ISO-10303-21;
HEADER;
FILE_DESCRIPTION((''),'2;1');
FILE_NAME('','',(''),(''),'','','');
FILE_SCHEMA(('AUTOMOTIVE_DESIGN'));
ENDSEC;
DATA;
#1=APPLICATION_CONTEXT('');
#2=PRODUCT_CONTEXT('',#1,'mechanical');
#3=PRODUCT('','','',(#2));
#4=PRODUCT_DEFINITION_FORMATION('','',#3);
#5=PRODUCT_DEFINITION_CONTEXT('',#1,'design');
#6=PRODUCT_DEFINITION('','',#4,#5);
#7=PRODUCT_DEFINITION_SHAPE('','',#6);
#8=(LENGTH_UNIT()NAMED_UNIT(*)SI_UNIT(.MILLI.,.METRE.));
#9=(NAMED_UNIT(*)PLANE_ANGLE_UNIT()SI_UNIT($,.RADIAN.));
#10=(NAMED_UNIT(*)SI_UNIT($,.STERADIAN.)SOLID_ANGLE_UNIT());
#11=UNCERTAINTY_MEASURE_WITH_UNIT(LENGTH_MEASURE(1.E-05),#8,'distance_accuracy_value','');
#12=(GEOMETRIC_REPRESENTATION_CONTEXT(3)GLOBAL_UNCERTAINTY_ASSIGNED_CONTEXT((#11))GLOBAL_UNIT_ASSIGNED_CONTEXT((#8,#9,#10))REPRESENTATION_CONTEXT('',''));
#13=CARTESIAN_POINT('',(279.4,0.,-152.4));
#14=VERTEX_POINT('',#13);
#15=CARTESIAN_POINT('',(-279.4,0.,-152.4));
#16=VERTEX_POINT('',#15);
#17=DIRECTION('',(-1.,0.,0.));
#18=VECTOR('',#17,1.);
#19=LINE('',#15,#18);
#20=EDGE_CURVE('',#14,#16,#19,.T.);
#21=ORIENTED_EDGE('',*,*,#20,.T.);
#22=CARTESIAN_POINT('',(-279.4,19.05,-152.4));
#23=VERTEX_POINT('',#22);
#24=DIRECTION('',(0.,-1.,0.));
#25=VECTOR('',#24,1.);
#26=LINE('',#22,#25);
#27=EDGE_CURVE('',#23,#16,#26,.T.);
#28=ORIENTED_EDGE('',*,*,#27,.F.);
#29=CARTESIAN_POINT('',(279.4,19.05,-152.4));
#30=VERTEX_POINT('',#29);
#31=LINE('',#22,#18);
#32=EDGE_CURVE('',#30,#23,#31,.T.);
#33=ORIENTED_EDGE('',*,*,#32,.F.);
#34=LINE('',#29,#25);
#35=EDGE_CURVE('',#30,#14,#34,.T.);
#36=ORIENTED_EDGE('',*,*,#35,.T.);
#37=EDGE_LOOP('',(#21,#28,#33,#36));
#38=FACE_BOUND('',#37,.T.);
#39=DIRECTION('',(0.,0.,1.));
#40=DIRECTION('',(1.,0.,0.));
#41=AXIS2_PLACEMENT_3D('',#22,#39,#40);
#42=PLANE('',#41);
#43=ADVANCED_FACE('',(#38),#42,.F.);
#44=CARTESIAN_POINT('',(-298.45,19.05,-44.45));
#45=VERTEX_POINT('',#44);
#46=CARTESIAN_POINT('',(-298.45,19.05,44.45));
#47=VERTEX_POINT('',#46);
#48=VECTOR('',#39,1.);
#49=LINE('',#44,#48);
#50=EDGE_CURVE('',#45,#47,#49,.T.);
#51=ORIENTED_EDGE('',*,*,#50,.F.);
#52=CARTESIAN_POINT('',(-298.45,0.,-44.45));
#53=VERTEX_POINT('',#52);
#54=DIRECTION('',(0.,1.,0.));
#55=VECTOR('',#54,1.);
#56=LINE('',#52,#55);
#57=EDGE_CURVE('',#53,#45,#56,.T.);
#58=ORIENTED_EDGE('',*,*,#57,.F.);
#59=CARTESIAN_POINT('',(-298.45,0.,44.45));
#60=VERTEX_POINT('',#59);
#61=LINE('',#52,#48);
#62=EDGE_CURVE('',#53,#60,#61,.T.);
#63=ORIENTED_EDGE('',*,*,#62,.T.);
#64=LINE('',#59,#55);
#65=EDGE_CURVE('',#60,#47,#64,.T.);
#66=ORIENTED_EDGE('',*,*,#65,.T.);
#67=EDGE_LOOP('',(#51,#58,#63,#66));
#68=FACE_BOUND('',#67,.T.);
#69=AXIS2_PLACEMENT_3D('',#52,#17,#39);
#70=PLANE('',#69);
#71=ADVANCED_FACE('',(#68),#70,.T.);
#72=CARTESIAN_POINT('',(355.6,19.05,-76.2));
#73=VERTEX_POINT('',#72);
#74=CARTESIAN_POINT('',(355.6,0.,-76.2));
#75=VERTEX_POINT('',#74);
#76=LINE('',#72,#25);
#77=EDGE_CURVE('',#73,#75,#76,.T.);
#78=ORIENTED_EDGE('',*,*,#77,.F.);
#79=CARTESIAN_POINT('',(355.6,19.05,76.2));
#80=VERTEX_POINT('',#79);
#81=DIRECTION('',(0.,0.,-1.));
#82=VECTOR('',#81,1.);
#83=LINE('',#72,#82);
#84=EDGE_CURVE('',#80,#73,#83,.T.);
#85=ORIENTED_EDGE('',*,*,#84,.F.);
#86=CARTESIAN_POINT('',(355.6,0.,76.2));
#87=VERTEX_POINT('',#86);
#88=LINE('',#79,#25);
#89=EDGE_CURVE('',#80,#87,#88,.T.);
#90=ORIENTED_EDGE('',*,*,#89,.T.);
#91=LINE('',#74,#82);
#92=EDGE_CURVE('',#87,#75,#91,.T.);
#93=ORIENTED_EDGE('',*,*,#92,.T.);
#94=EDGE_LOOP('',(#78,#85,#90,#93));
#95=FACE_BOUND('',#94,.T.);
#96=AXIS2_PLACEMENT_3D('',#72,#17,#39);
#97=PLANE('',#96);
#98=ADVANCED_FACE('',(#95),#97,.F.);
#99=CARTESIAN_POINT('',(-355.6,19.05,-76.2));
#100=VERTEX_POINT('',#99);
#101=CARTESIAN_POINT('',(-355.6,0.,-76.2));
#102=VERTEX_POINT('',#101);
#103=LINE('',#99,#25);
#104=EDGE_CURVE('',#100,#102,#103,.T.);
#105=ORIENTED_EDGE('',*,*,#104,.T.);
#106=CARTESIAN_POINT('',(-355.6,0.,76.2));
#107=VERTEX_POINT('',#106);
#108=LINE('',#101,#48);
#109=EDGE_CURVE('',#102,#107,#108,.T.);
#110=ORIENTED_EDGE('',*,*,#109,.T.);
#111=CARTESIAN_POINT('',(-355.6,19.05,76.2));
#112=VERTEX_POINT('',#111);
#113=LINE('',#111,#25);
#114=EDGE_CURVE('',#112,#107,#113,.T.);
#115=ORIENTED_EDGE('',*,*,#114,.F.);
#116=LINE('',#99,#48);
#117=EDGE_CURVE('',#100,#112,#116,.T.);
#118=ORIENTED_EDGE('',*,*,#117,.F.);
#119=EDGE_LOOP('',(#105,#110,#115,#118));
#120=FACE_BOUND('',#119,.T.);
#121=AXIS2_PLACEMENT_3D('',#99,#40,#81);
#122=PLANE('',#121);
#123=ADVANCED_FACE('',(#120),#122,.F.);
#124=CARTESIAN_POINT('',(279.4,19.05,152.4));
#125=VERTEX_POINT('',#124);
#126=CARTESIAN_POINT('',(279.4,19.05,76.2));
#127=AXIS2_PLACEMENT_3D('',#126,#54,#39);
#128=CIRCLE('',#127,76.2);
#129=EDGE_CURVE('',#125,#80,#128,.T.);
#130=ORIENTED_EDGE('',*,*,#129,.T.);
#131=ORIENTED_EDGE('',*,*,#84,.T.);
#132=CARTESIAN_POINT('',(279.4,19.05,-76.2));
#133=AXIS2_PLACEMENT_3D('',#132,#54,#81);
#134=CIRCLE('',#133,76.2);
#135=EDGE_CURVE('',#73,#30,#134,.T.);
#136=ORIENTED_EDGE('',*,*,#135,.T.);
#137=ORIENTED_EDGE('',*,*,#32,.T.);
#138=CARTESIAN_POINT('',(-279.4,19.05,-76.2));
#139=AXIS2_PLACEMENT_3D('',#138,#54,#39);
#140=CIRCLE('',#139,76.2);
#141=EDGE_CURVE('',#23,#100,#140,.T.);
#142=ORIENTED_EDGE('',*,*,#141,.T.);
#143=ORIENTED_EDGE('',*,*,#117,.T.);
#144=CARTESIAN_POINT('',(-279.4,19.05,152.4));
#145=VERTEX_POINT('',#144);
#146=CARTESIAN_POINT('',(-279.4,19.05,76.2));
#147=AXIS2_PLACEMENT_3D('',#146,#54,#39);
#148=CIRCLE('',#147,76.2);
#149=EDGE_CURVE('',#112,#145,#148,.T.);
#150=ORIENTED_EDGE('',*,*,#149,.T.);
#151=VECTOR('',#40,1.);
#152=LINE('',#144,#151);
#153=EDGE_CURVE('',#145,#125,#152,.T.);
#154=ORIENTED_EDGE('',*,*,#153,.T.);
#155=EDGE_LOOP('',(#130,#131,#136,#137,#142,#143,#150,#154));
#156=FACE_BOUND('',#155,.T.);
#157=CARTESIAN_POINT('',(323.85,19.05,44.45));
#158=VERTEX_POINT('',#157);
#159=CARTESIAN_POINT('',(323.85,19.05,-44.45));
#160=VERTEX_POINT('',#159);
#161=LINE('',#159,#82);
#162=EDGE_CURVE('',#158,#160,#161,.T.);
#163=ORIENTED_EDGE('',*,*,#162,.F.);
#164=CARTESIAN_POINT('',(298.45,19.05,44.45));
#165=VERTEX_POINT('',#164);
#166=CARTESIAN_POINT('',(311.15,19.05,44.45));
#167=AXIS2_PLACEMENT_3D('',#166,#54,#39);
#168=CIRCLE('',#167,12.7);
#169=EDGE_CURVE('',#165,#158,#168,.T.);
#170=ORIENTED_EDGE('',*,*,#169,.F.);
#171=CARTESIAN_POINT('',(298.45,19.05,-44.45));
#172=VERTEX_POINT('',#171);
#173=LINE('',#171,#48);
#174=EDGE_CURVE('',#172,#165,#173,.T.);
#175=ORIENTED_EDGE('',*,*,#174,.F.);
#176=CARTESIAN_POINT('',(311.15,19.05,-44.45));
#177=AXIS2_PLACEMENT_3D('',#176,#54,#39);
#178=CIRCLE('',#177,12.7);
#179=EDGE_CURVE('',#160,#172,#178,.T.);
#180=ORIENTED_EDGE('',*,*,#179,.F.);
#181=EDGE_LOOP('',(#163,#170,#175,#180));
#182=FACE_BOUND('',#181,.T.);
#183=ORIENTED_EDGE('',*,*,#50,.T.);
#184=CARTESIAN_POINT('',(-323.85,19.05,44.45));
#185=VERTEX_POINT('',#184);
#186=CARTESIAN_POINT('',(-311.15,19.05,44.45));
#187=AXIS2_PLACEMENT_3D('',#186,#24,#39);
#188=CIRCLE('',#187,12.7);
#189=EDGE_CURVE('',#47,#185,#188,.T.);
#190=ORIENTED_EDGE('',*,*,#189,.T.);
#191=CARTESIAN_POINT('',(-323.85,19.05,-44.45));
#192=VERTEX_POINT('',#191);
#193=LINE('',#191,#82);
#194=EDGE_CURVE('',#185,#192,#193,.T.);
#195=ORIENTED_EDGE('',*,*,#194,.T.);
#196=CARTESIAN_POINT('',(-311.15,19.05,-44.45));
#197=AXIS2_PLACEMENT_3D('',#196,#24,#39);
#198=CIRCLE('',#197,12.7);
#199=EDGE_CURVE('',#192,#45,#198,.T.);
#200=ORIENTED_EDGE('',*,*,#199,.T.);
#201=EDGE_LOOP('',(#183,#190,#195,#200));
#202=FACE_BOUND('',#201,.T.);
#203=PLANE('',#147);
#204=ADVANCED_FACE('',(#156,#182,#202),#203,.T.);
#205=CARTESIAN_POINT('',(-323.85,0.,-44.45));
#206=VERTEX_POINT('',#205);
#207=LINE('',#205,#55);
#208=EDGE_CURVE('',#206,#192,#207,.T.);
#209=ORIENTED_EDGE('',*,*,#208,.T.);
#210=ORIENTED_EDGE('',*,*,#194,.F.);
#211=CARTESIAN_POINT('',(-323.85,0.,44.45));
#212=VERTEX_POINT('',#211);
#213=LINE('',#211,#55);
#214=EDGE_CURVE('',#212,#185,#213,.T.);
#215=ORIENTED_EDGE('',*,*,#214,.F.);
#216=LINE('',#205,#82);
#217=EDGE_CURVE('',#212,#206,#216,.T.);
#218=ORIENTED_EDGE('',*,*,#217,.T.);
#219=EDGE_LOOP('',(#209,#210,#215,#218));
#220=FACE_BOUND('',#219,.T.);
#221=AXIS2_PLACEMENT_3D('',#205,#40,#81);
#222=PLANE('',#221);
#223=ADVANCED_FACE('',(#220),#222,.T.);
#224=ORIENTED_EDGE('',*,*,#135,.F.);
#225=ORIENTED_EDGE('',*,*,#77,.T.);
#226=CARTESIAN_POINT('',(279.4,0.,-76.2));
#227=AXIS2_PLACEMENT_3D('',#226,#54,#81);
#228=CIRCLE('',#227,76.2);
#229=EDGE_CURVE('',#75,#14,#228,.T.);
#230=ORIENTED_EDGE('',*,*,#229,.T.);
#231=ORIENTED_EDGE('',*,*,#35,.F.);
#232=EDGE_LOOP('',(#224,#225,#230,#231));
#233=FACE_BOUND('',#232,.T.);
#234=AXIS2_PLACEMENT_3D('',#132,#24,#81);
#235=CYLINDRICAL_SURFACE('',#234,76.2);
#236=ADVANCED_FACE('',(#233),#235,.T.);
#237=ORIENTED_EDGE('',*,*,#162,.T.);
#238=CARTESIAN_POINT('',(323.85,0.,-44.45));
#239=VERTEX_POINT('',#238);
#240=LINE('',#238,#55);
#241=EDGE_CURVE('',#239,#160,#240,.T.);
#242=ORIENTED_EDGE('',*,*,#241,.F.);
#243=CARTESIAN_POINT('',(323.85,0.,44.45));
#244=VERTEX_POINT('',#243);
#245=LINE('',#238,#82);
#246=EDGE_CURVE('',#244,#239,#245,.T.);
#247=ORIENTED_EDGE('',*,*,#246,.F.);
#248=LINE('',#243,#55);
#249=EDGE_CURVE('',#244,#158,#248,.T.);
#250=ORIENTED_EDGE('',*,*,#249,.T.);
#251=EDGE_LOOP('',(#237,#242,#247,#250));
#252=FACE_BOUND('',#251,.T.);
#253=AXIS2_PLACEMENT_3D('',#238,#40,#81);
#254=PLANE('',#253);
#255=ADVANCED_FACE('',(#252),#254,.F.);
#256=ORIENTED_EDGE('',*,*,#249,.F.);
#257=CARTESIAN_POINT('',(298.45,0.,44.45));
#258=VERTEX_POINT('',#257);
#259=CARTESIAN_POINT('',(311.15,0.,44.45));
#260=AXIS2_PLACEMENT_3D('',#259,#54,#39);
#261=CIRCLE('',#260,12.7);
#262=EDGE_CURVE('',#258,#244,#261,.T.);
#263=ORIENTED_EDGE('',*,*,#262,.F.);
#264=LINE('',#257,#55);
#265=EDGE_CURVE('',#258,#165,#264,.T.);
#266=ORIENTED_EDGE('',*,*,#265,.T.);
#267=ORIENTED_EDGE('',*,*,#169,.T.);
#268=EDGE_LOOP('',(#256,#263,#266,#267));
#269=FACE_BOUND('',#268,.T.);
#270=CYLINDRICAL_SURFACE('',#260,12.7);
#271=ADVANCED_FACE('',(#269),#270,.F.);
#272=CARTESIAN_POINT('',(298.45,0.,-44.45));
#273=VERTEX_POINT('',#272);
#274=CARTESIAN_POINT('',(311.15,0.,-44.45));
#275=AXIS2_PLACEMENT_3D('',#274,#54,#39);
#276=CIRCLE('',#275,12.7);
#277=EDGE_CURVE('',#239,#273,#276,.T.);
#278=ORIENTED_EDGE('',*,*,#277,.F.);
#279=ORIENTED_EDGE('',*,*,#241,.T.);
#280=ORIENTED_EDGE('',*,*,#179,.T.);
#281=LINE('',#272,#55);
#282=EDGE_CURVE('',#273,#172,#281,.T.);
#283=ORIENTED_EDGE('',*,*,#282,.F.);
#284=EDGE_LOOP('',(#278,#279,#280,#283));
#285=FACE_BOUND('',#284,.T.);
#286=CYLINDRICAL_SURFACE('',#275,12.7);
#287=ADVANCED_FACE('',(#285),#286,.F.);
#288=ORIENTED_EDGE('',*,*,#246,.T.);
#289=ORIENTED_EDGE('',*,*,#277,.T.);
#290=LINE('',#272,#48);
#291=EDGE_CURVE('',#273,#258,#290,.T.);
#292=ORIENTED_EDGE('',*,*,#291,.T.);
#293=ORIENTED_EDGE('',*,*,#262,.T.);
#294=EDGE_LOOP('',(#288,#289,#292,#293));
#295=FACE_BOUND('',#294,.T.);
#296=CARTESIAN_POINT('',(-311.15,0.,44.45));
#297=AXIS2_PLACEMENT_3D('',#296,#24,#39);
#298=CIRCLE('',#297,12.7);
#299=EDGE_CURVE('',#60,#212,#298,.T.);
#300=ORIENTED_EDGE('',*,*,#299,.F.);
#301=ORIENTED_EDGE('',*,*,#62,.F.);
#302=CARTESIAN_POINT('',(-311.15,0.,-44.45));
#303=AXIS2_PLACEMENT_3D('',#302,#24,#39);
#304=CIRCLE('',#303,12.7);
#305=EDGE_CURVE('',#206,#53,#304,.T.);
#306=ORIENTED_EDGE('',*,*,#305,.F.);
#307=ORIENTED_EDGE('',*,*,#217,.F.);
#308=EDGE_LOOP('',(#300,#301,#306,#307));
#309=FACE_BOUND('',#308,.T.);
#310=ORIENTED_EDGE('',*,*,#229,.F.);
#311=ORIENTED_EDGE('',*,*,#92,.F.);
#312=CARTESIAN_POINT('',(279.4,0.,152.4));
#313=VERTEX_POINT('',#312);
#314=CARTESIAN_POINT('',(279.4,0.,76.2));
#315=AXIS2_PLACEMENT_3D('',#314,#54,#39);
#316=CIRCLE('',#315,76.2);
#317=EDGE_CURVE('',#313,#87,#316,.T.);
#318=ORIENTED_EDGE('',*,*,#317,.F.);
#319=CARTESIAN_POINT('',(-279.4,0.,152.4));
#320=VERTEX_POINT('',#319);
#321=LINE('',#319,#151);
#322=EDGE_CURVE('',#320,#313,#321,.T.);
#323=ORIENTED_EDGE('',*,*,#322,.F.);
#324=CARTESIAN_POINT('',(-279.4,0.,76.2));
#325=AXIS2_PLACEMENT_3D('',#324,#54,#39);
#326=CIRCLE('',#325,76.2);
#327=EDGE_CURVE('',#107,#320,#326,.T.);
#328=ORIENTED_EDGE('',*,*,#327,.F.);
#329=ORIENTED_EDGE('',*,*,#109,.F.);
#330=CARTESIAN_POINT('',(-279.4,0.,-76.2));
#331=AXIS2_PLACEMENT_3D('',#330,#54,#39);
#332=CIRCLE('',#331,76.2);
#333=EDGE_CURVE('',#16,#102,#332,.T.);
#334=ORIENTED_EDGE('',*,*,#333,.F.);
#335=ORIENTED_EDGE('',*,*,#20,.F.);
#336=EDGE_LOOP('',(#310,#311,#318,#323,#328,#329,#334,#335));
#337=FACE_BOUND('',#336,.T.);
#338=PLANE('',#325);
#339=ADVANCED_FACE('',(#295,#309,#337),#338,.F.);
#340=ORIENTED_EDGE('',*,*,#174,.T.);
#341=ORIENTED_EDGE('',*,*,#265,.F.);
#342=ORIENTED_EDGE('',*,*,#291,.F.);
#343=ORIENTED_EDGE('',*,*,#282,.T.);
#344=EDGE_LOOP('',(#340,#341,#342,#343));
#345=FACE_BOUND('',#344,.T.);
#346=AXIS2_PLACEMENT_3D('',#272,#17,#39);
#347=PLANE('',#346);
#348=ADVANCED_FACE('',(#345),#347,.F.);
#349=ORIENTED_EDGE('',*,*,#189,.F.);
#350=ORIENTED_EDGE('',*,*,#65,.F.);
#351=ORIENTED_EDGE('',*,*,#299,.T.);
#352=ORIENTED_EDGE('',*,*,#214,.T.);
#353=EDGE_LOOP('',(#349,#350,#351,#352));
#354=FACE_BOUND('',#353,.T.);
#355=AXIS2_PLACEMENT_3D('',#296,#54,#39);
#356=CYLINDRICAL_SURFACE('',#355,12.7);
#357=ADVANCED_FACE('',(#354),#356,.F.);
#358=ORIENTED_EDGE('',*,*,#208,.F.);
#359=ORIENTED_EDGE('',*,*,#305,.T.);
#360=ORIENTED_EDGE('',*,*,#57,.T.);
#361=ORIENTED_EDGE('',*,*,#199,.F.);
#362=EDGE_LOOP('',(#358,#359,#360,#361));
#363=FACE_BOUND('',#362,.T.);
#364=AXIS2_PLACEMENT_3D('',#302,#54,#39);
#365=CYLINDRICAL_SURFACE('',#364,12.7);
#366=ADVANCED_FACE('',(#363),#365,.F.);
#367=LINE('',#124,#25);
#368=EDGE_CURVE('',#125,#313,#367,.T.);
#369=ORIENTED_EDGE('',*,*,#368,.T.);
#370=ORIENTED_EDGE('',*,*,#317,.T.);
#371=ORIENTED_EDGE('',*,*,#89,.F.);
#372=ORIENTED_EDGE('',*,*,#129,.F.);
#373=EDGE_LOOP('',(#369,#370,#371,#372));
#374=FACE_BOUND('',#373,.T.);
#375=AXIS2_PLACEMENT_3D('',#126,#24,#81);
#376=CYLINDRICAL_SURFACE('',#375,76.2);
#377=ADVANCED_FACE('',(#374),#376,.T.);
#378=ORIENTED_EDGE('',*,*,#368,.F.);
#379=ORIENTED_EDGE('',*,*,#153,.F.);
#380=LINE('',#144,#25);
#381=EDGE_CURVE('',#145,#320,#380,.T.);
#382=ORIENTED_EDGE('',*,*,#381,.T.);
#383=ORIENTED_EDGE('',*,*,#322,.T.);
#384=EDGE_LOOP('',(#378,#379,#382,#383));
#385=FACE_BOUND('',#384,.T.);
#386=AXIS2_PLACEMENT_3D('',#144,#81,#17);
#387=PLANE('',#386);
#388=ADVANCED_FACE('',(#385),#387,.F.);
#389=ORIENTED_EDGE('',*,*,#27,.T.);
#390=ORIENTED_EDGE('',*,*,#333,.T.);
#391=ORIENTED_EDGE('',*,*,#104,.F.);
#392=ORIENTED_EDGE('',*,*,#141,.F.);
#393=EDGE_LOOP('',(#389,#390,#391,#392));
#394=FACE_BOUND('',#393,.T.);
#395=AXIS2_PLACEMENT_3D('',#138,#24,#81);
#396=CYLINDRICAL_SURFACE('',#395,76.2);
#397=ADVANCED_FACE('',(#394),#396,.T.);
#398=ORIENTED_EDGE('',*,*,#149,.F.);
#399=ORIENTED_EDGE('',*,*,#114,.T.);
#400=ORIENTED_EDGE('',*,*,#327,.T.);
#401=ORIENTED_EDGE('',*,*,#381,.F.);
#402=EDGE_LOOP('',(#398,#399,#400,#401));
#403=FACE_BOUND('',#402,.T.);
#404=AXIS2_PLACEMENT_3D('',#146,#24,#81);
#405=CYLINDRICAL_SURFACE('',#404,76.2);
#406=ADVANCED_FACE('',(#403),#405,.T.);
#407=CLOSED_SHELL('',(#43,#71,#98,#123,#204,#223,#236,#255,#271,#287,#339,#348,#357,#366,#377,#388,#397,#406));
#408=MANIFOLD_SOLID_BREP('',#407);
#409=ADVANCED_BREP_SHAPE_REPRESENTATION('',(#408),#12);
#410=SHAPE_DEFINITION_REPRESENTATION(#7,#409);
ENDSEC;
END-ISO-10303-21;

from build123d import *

# Parameters (mm, degrees)
BOSS_EXTRUDE1_DEPTH = 19.05
CUT_EXTRUDE2_DEPTH  = 388.35


with BuildPart() as part:
    # Sketch1 → Boss-Extrude1 (new body)
    with BuildSketch(Plane(origin=(0, 0, 0), x_dir=(1, 0, 0), z_dir=(0, 1, 0))):
        with BuildLine():
            Line((-279.4, 152.4), (279.4, 152.4))
            ThreePointArc((279.4, 152.4), (333.281536726, 130.081536726), (355.6, 76.2))
            Line((355.6, 76.2), (355.6, -76.2))
            ThreePointArc((355.6, -76.2), (333.281536726, -130.081536726), (279.4, -152.4))
            Line((279.4, -152.4), (-279.4, -152.4))
            ThreePointArc((-279.4, -152.4), (-333.281536726, -130.081536726), (-355.6, -76.2))
            Line((-355.6, -76.2), (-355.6, 76.2))
            ThreePointArc((-355.6, 76.2), (-333.281536726, 130.081536726), (-279.4, 152.4))
        make_face()
    extrude(amount=BOSS_EXTRUDE1_DEPTH)

    # Sketch3 → Cut-Extrude2 (cut, through all)
    with BuildSketch(Plane(origin=(0, 19.05, 0), x_dir=(1, 0, 0), z_dir=(0, 1, 0))):
        with BuildLine():
            Line((323.85, 44.45), (323.85, -44.45))
            ThreePointArc((323.85, -44.45), (311.15, -57.15), (298.45, -44.45))
            Line((298.45, -44.45), (298.45, 44.45))
            ThreePointArc((298.45, 44.45), (311.15, 57.15), (323.85, 44.45))
        make_face()
    cut_extrude2 = extrude(amount=-CUT_EXTRUDE2_DEPTH, mode=Mode.SUBTRACT)

    # Mirror1: Cut-Extrude2 across plane
    add(cut_extrude2.mirror(Plane(origin=(0, 0, 0), x_dir=(0, 0, 1), z_dir=(1, 0, 0))), mode=Mode.SUBTRACT)


solid = part.part
